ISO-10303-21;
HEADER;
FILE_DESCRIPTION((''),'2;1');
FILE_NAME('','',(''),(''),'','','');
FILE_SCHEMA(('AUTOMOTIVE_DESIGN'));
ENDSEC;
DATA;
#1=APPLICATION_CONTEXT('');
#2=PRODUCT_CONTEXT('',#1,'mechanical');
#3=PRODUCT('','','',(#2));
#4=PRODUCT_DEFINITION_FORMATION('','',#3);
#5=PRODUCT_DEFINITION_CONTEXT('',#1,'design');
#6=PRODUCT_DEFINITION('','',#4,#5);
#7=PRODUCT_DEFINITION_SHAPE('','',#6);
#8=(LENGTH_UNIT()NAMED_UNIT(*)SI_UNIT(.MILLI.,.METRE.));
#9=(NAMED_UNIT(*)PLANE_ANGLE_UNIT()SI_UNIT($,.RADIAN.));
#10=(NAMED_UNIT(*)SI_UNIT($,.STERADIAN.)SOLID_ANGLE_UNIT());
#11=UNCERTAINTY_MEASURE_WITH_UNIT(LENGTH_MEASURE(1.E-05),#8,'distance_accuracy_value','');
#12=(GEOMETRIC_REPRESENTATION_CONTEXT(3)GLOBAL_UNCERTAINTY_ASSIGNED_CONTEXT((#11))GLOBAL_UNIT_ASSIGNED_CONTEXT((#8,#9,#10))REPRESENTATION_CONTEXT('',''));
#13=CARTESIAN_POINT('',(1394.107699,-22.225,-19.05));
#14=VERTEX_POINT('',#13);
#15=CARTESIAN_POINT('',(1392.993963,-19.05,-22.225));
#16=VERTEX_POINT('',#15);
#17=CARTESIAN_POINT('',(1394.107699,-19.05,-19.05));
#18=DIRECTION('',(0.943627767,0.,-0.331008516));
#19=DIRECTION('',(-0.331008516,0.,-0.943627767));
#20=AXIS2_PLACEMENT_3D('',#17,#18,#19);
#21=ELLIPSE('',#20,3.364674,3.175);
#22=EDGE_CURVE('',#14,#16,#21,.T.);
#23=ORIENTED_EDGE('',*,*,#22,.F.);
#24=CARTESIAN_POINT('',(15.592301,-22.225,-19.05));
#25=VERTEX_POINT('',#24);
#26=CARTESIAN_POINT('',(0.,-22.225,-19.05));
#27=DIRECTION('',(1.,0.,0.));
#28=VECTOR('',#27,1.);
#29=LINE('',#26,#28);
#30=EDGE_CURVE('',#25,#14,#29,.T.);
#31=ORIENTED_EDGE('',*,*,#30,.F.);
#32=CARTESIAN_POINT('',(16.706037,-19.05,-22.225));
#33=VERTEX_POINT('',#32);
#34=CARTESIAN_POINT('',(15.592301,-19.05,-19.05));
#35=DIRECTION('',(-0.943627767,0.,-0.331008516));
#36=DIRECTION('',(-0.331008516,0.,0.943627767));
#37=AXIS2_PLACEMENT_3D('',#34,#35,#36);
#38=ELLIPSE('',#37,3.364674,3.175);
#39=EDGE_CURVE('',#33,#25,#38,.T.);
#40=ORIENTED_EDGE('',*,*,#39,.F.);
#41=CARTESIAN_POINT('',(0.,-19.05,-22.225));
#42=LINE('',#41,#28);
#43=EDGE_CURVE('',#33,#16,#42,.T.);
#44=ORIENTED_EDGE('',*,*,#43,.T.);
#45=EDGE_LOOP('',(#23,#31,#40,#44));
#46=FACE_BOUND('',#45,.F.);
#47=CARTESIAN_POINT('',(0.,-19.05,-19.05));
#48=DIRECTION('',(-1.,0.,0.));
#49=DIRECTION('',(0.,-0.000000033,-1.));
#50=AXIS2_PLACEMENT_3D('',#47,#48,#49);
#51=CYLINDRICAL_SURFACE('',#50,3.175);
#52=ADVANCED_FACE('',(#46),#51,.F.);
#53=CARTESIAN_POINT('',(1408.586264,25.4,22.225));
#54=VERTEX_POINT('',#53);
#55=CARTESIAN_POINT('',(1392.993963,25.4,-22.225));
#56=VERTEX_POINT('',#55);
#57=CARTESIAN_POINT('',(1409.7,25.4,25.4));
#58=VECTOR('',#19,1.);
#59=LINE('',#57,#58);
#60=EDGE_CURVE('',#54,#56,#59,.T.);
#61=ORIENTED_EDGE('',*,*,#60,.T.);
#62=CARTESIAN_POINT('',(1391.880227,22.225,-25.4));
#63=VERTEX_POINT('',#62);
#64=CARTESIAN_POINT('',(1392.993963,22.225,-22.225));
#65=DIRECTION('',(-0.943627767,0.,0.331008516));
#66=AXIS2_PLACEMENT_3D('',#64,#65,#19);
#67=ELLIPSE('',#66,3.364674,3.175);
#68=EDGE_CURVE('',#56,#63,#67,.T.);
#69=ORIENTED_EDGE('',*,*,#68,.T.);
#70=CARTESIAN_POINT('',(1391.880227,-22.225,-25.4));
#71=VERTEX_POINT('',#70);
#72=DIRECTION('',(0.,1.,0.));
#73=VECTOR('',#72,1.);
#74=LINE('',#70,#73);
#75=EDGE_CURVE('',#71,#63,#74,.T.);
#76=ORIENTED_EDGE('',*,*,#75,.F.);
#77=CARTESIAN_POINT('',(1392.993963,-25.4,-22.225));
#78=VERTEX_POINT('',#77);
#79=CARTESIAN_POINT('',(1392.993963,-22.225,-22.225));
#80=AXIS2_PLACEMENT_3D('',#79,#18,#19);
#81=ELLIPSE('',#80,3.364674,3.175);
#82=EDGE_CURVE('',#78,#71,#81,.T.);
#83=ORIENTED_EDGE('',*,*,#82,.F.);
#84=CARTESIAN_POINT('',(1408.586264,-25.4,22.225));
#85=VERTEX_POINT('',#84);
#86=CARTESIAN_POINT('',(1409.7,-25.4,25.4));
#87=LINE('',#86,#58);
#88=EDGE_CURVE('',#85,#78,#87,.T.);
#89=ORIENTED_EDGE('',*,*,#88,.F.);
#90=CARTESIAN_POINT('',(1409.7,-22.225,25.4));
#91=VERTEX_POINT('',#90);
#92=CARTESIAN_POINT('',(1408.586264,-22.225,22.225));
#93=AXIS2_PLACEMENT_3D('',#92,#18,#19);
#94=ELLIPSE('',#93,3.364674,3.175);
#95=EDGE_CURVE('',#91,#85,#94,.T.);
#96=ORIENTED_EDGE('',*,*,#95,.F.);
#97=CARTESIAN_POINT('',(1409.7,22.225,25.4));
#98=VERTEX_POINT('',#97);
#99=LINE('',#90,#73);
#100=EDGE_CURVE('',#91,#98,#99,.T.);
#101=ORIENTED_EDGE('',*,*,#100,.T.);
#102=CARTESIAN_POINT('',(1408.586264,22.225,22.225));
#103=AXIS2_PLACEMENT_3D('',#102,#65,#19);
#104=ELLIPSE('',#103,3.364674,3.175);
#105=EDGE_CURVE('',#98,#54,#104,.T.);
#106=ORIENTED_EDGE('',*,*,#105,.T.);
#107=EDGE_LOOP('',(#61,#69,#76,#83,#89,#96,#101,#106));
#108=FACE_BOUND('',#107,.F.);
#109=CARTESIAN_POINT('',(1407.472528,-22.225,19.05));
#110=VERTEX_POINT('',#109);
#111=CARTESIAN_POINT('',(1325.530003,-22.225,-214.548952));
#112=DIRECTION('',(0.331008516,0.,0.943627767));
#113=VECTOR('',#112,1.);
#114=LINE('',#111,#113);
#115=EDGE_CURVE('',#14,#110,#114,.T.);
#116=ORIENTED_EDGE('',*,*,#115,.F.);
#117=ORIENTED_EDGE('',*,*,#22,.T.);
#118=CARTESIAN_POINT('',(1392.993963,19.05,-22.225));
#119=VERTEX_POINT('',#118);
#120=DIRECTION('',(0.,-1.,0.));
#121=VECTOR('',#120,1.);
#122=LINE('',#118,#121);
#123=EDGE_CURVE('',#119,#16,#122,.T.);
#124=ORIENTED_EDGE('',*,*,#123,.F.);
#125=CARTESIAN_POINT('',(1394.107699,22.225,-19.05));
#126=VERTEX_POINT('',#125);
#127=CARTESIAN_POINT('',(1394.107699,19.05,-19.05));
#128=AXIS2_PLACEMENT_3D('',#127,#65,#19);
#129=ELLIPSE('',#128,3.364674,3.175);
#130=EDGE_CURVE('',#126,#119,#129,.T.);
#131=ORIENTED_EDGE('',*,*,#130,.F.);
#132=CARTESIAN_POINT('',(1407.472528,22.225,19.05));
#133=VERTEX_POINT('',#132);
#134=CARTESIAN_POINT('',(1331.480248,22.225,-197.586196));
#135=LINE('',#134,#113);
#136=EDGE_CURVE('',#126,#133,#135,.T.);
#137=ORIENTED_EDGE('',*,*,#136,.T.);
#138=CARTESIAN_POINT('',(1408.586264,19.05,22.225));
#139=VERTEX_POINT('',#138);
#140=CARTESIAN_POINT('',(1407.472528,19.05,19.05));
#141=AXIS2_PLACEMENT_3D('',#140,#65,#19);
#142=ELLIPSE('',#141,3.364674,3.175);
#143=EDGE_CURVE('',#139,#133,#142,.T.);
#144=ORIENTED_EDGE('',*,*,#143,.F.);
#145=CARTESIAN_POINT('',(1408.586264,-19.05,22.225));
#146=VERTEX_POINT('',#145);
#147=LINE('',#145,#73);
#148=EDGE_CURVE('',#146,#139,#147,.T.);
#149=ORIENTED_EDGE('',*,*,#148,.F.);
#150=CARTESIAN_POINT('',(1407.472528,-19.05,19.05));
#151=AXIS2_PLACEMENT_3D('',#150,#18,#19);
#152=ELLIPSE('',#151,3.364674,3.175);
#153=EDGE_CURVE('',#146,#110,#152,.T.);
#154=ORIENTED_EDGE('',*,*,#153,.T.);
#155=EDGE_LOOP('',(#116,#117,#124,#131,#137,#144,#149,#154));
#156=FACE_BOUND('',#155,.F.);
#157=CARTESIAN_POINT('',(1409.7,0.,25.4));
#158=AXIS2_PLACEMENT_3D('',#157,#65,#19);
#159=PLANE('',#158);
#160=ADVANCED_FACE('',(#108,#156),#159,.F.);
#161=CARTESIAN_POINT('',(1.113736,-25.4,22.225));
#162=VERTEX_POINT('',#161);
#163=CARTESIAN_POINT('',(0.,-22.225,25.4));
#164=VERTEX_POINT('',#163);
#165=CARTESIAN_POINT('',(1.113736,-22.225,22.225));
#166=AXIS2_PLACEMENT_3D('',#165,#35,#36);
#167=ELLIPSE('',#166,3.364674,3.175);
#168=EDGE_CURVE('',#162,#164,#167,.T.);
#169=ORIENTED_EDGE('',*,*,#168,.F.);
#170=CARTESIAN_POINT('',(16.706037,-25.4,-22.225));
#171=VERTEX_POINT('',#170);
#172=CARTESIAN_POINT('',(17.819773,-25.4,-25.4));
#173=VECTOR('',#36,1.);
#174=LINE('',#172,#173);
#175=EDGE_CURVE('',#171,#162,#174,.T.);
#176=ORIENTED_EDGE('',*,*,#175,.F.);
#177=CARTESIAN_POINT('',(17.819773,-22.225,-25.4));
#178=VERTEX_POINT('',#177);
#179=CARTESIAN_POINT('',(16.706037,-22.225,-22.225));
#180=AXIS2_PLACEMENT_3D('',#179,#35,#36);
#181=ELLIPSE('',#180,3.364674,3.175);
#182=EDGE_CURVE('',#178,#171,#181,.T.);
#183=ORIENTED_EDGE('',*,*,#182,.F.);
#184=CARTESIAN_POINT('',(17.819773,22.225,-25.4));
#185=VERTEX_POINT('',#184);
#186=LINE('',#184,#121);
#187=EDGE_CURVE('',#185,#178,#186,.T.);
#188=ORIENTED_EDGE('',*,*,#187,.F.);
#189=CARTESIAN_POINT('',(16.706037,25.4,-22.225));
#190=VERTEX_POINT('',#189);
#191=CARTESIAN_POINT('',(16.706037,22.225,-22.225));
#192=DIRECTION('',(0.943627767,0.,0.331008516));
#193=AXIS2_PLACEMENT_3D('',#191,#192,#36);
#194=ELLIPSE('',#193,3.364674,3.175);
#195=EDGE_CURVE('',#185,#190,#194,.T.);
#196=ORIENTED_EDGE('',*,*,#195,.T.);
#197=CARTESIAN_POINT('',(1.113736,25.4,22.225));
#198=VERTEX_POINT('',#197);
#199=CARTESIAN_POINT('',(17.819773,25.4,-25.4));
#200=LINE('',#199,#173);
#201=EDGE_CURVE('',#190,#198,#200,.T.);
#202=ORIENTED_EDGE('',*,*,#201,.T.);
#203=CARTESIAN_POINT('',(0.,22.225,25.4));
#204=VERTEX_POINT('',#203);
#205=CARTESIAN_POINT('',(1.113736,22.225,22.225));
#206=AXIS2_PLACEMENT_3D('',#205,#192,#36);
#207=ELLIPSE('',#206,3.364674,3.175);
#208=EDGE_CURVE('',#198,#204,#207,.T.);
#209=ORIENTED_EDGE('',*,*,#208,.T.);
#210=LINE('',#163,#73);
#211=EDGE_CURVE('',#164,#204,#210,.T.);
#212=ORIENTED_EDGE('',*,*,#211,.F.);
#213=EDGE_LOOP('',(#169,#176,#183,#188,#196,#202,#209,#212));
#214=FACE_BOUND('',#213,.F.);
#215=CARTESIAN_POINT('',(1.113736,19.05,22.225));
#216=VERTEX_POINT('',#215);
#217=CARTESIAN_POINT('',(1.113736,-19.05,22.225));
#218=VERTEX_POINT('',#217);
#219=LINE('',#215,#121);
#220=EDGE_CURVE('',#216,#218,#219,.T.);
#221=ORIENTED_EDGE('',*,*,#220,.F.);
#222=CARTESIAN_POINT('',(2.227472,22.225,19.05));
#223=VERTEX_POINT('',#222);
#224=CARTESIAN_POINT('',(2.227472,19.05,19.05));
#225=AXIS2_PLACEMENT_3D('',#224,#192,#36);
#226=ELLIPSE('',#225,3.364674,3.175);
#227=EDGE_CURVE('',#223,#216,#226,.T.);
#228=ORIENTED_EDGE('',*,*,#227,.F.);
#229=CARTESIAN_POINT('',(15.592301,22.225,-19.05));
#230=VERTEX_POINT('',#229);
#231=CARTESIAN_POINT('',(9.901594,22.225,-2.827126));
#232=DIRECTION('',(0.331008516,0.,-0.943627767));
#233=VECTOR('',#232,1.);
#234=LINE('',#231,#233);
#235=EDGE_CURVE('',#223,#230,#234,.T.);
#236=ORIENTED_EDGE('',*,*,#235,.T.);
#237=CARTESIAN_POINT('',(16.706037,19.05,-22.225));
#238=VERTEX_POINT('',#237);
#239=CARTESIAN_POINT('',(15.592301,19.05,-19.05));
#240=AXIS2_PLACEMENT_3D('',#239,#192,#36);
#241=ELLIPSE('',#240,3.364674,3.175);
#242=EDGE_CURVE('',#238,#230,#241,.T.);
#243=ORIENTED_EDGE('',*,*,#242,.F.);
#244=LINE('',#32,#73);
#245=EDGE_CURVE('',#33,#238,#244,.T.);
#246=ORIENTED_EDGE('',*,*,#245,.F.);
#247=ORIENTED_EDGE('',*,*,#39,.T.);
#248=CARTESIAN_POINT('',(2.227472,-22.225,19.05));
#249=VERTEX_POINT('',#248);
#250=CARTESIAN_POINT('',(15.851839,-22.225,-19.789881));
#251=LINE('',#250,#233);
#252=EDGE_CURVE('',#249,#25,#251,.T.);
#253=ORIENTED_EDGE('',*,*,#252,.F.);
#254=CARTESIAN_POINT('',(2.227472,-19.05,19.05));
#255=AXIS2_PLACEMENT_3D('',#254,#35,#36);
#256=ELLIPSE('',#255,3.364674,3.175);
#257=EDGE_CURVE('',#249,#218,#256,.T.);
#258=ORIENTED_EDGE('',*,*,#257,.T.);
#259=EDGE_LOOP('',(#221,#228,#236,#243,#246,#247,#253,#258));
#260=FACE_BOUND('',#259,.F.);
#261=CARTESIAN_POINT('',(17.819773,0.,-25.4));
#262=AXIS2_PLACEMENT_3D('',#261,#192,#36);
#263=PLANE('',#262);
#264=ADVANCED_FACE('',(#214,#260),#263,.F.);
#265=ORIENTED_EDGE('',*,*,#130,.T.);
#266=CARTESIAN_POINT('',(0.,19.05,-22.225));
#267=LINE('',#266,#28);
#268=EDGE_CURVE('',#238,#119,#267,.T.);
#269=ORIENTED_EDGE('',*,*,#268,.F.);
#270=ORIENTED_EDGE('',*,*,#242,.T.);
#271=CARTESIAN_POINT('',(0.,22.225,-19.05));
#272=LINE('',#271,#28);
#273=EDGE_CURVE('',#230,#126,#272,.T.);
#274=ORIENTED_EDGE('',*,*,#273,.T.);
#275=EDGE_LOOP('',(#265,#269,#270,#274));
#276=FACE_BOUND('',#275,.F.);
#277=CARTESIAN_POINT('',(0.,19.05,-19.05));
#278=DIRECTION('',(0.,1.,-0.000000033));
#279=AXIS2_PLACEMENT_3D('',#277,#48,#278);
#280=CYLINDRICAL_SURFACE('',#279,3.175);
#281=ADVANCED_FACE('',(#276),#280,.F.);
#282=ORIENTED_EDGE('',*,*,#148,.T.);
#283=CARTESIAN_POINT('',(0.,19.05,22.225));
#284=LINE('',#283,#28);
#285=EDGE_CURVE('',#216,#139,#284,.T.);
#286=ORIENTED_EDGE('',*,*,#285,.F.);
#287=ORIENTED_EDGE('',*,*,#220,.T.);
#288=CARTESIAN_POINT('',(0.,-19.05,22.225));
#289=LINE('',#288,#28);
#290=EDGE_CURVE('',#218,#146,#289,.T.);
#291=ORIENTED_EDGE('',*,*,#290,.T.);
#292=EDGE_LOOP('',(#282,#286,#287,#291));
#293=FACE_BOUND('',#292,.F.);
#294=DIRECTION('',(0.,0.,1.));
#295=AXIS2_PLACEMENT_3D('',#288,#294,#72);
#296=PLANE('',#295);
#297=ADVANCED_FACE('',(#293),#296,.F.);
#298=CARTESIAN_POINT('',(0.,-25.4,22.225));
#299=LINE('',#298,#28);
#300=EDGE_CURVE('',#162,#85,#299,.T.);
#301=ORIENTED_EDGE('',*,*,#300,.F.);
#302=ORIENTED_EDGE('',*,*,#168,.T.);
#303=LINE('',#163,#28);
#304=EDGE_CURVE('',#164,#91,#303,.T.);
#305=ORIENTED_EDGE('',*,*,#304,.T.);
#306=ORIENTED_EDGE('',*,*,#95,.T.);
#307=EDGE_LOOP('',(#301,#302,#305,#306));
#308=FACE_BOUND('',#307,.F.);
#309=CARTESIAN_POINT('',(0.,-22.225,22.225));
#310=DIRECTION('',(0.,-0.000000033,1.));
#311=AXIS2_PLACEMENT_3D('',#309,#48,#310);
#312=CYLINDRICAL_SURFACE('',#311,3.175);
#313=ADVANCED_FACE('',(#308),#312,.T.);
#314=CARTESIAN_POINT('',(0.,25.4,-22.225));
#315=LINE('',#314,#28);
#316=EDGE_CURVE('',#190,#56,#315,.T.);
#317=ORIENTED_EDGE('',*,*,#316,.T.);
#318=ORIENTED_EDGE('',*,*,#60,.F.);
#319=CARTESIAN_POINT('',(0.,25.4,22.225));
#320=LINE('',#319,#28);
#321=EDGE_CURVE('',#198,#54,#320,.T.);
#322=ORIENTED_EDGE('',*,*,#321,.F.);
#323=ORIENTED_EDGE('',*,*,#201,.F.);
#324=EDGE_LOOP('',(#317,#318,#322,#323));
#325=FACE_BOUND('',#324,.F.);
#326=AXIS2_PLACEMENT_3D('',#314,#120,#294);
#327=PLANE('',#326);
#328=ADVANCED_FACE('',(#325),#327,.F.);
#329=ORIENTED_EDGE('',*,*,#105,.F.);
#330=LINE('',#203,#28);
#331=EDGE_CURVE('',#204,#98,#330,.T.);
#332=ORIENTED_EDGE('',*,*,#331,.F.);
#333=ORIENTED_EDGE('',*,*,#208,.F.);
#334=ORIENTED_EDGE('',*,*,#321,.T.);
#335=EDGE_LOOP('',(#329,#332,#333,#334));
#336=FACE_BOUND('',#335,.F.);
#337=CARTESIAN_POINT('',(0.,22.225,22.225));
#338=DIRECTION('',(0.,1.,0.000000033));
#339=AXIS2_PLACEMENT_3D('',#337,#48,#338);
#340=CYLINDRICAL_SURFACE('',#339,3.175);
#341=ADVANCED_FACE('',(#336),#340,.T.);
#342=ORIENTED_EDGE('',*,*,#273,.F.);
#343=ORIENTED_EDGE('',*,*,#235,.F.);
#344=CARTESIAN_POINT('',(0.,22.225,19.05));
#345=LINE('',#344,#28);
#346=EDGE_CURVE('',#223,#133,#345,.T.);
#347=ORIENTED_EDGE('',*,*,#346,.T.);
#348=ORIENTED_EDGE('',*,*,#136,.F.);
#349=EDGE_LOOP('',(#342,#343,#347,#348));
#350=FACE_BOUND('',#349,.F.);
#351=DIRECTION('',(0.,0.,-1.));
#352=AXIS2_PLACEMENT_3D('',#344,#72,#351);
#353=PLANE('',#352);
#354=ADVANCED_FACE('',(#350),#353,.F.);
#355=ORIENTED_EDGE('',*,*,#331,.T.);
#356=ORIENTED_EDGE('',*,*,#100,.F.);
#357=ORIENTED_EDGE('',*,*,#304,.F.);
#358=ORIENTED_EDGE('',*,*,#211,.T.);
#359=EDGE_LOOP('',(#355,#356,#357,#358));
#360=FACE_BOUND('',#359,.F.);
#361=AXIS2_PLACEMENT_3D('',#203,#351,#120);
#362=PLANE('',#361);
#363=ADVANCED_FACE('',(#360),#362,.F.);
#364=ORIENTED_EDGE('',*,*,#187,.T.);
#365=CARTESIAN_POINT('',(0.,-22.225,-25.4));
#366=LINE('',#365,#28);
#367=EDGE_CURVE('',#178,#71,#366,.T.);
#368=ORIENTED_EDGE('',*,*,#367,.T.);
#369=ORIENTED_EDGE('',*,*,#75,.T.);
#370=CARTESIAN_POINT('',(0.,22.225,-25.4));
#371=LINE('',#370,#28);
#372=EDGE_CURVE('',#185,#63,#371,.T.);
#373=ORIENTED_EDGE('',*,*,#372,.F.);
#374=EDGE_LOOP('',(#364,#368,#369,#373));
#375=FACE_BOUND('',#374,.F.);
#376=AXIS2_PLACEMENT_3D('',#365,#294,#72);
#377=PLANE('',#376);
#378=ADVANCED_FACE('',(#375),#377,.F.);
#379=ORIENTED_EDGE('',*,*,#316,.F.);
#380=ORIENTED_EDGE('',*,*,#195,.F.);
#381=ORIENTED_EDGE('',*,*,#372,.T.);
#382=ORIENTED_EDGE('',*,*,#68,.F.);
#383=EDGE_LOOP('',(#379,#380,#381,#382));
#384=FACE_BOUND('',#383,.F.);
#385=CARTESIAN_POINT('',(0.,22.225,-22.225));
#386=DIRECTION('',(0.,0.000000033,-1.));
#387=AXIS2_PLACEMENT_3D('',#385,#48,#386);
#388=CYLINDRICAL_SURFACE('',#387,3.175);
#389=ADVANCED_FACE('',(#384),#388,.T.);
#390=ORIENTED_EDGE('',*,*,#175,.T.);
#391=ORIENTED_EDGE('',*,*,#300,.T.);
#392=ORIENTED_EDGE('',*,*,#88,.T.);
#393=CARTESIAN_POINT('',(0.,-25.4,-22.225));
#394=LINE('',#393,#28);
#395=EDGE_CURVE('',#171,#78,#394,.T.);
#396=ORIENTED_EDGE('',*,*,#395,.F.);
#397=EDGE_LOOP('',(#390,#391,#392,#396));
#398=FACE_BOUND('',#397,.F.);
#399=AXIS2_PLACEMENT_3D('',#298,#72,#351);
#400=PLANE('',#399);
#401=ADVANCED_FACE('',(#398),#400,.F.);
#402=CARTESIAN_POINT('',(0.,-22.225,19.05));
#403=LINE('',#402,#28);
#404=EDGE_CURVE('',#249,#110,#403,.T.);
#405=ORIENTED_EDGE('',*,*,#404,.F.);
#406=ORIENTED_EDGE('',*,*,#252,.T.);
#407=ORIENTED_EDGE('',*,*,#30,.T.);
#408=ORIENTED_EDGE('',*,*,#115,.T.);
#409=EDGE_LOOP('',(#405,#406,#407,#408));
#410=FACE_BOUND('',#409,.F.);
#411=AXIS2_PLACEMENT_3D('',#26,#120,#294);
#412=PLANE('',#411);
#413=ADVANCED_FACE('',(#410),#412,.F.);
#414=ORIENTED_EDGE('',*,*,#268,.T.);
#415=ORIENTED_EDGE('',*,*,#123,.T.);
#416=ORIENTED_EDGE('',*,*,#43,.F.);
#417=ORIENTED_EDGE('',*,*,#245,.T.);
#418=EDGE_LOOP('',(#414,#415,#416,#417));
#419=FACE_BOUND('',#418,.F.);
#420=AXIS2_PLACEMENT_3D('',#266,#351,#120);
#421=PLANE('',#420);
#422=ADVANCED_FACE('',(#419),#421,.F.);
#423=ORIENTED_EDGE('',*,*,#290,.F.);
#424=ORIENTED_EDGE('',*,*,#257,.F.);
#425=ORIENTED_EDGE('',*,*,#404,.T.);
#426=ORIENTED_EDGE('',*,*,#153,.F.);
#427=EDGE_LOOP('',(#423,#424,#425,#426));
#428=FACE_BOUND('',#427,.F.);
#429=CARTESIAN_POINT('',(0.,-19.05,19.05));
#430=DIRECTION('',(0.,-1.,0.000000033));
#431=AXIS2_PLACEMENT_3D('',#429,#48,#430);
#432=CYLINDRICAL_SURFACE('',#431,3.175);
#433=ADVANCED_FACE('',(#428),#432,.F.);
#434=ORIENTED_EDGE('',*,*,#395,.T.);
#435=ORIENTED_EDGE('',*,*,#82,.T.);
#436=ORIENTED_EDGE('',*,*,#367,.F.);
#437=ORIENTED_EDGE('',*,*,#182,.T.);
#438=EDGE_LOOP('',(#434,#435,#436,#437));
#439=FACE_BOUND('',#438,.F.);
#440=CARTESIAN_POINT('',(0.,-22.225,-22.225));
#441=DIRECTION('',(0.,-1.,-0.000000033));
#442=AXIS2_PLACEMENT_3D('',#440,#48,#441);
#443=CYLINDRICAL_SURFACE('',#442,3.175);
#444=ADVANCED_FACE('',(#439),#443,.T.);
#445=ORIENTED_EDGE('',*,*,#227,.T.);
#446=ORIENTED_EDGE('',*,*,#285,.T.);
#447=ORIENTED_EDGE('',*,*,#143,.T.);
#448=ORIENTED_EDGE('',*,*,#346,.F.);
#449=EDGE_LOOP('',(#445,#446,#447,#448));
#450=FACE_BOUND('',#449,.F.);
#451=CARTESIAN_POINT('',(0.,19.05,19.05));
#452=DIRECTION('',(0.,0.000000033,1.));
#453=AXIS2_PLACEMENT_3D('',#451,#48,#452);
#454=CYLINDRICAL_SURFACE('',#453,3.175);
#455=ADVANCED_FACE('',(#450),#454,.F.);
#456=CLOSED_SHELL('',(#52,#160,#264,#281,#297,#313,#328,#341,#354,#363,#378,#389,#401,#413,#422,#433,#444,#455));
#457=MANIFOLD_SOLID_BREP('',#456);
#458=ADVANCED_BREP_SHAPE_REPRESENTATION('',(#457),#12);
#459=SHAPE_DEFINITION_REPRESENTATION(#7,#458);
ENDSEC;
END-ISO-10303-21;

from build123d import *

# Parameters (mm, degrees)
F1_DEPTH      = 1409.7
F3_DEPTH      = 25.4
F3_DEPTH_BACK = 25.4


with BuildPart() as f1:
    # F0 (on Right) → F1 (new body)
    with BuildSketch(Plane.YZ):
        with BuildLine():
            ThreePointArc((25.4, 22.225), (24.470064, 24.470064), (22.225, 25.4))
            Line((22.225, 25.4), (-22.225, 25.4))
            ThreePointArc((-22.225, 25.4), (-24.470064, 24.470064), (-25.4, 22.225))
            Line((-25.4, 22.225), (-25.4, -22.225))
            ThreePointArc((-25.4, -22.225), (-24.470064, -24.470064), (-22.225, -25.4))
            Line((-22.225, -25.4), (22.225, -25.4))
            ThreePointArc((22.225, -25.4), (24.470064, -24.470064), (25.4, -22.225))
            Line((25.4, -22.225), (25.4, 22.225))
        make_face()
        with BuildLine():
            Line((-19.05, 22.225), (19.05, 22.225))
            ThreePointArc((19.05, 22.225), (21.295064, 21.295064), (22.225, 19.05))
            Line((22.225, 19.05), (22.225, -19.05))
            ThreePointArc((22.225, -19.05), (21.295064, -21.295064), (19.05, -22.225))
            Line((19.05, -22.225), (-19.05, -22.225))
            ThreePointArc((-19.05, -22.225), (-21.295064, -21.295064), (-22.225, -19.05))
            Line((-22.225, -19.05), (-22.225, 19.05))
            ThreePointArc((-22.225, 19.05), (-21.295064, 21.295064), (-19.05, 22.225))
        make_face(mode=Mode.SUBTRACT)
    extrude(amount=F1_DEPTH)

    # F2 (on Front) → F3 (cut, two sides)
    with BuildSketch(Plane.XZ) as f3_sk:
        Polygon((0, -25.4), (17.819773, -25.4), (0, 25.4), align=None)
        Polygon((1391.880227, -25.4), (1409.7, -25.4), (1409.7, 25.4), align=None)
    extrude(amount=F3_DEPTH, mode=Mode.SUBTRACT)
    extrude(f3_sk.sketch, amount=-F3_DEPTH_BACK, mode=Mode.SUBTRACT)


solid = f1.part
